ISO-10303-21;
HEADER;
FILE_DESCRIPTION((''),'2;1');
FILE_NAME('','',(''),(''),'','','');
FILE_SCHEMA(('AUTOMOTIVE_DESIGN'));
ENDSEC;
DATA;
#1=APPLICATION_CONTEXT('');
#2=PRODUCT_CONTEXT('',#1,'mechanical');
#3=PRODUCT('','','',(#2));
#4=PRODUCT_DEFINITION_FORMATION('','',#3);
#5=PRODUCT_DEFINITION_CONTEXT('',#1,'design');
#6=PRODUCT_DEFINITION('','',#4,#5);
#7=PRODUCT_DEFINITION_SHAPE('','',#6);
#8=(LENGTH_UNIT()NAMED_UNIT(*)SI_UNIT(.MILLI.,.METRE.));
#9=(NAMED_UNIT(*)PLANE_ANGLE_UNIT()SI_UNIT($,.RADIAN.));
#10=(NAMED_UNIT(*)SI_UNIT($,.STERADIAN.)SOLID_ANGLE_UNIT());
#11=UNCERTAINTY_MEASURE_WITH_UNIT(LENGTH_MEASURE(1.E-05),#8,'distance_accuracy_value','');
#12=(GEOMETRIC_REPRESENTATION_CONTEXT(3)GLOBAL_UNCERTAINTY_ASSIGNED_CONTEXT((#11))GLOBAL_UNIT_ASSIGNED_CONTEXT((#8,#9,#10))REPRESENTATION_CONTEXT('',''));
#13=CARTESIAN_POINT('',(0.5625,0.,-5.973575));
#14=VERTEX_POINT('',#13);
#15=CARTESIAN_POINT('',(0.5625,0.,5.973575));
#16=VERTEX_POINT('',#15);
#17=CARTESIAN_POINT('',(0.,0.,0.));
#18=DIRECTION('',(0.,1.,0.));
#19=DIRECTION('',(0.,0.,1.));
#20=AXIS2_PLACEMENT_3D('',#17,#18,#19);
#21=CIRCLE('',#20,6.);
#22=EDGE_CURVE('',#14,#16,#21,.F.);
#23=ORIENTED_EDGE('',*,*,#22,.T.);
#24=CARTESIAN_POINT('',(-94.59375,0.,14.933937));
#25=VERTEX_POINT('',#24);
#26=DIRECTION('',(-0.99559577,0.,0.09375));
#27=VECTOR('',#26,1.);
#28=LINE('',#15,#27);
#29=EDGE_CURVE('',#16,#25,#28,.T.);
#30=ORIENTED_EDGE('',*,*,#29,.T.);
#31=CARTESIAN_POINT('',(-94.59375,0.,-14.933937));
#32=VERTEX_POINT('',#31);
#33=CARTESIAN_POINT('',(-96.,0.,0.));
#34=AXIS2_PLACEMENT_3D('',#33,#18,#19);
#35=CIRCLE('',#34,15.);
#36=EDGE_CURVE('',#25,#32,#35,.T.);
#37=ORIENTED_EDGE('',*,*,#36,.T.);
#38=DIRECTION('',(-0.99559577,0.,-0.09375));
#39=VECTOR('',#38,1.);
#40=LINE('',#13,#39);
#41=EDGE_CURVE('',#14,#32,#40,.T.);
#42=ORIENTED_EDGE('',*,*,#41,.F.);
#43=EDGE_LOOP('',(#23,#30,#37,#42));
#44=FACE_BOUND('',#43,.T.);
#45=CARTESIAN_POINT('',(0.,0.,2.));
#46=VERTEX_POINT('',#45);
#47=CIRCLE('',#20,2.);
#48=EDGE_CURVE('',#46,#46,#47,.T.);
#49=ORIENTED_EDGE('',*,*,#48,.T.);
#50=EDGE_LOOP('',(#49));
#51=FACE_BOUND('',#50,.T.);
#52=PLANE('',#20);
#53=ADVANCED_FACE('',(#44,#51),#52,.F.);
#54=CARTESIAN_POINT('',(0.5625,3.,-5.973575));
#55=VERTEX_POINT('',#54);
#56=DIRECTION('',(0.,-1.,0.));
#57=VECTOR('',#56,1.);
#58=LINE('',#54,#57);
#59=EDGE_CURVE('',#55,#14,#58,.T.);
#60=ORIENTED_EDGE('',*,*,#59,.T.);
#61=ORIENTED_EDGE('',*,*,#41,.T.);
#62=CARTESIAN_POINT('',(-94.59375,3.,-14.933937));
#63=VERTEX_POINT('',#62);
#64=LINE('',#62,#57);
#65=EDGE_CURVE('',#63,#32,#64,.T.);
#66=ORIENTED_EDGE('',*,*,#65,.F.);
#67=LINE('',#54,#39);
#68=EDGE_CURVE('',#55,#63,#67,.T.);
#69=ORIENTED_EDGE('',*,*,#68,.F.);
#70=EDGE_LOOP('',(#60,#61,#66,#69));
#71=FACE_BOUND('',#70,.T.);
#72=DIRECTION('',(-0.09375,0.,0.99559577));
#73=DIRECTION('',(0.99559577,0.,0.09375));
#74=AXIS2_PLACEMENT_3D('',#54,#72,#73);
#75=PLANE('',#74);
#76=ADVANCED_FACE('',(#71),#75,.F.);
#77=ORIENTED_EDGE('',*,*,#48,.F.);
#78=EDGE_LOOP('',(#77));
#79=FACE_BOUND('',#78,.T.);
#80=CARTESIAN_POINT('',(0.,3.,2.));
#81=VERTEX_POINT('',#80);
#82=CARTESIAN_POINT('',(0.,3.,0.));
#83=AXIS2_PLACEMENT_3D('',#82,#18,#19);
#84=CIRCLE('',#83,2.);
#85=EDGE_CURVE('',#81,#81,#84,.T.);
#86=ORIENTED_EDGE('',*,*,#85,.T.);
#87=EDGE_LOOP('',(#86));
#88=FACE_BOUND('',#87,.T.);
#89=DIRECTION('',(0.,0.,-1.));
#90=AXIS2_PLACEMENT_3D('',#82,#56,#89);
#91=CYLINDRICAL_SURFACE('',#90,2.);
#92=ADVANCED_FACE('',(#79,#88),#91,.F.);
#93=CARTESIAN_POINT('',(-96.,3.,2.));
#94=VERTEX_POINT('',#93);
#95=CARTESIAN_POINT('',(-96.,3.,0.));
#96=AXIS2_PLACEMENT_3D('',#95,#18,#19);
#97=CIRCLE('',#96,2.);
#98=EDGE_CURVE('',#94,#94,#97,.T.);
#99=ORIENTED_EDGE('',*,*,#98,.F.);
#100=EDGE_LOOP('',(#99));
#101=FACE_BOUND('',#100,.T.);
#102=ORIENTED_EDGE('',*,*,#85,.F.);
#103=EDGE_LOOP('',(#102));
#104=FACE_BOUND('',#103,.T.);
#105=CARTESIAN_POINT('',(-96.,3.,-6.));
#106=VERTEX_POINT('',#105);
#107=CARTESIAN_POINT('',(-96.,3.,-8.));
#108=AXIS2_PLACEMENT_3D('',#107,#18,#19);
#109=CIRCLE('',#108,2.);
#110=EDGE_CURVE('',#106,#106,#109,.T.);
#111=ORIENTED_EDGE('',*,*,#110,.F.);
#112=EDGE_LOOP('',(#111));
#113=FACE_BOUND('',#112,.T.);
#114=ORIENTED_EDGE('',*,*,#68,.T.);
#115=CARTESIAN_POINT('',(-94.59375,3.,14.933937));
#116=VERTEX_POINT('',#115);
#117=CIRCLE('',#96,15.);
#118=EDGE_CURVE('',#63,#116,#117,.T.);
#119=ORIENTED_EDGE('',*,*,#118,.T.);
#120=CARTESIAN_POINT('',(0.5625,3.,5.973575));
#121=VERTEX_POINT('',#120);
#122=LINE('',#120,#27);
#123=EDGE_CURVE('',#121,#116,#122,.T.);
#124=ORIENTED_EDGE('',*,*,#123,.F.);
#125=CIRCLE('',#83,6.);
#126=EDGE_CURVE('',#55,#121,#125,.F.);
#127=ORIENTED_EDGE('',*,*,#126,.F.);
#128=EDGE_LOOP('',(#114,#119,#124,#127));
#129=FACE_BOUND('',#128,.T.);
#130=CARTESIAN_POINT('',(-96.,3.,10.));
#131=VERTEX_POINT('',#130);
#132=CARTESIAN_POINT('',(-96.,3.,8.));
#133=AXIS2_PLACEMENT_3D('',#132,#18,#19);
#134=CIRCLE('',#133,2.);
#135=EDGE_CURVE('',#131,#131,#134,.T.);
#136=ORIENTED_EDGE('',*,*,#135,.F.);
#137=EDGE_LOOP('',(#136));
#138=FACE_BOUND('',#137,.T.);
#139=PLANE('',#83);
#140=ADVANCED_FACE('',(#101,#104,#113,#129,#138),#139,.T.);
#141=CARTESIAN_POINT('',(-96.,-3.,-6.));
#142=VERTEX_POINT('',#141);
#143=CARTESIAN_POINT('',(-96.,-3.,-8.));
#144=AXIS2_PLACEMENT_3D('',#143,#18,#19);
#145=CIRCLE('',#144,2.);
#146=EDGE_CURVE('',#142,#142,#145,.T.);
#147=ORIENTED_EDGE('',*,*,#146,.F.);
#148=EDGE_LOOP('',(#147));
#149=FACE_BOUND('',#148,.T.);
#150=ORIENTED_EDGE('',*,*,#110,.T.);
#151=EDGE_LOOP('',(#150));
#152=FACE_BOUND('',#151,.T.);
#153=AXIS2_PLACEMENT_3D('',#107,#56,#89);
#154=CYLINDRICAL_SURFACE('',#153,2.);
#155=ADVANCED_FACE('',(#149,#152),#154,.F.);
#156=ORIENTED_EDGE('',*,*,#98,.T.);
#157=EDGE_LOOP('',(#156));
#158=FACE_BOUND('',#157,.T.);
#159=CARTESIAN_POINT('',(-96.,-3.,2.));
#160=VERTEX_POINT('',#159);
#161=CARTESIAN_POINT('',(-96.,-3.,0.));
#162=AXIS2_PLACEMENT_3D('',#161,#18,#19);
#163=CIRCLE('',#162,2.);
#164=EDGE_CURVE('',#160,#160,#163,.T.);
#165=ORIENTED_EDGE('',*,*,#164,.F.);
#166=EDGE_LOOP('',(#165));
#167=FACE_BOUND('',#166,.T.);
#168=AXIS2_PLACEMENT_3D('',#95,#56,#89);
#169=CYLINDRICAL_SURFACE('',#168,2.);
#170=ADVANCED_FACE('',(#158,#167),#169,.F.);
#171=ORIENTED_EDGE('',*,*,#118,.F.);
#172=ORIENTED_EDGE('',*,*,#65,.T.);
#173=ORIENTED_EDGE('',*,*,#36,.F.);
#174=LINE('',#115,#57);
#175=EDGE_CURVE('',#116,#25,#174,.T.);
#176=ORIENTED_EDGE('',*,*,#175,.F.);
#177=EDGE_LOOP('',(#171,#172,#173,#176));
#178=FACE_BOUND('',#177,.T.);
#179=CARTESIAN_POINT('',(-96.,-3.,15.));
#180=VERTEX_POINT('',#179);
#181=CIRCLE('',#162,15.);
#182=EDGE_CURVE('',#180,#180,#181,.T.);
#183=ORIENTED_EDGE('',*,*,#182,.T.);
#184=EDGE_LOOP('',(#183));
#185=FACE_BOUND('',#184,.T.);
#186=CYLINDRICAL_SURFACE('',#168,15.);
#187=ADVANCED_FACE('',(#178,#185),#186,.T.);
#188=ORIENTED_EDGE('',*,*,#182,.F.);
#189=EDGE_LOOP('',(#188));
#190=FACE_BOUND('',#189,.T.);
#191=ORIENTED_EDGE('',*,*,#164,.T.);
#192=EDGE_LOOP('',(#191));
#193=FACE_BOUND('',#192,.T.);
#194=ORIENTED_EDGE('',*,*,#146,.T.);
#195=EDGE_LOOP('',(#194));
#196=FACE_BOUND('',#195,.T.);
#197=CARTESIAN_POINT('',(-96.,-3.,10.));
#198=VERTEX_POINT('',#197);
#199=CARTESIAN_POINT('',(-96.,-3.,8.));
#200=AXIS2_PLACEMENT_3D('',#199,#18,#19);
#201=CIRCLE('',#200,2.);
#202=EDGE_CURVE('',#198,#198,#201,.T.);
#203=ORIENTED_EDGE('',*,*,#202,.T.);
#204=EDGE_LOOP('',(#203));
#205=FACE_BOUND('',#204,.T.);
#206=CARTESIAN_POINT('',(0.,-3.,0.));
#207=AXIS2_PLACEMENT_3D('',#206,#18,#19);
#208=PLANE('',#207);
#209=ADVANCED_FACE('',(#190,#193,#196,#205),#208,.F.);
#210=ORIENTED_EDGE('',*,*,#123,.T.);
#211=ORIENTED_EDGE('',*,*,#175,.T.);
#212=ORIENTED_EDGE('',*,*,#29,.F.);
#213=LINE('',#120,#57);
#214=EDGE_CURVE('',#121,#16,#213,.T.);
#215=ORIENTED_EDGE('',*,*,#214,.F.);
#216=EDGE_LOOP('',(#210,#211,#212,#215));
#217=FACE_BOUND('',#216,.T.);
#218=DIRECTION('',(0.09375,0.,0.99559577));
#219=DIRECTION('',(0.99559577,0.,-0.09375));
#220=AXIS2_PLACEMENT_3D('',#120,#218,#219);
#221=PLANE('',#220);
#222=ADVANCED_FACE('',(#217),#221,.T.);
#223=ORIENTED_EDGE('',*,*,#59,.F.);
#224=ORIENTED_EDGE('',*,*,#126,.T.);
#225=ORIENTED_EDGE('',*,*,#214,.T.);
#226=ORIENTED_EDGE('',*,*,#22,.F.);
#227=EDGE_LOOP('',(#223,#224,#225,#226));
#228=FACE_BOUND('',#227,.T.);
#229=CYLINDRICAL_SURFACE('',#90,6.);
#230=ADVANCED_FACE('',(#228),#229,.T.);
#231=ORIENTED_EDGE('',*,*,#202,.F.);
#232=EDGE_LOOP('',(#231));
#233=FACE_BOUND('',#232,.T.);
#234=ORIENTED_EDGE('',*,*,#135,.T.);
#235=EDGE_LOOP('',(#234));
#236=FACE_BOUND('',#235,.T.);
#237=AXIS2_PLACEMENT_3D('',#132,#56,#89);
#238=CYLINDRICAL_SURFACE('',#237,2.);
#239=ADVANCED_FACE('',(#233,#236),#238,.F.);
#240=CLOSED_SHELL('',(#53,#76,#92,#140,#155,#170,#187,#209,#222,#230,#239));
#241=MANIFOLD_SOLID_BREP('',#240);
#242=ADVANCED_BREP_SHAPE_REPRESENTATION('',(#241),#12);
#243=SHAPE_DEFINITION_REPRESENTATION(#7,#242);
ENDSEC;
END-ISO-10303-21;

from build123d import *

# Parameters (mm, degrees)
SKETCH1_R           = 2
BOSS_EXTRUDE1_DEPTH = 3
BOSS_EXTRUDE2_START = -3
SKETCH1_3_R         = 2
BOSS_EXTRUDE2_DEPTH = 3


with BuildPart() as part:
    # Sketch1 → Boss-Extrude1 (new body)
    with BuildSketch(Plane(origin=(0, 0, 0), x_dir=(1, 0, 0), z_dir=(0, 1, 0))):
        with BuildLine():
            ThreePointArc((0.5625, -5.973574621), (6, 0), (0.5625, 5.973574621))
            Line((0.5625, 5.973574621), (-94.59375, 14.933936552))
            ThreePointArc((-94.59375, 14.933936552), (-111, 0), (-94.59375, -14.933936552))
            Line((-94.59375, -14.933936552), (0.5625, -5.973574621))
        make_face()
        Circle(SKETCH1_R, mode=Mode.SUBTRACT)
        with Locations((-96, 0)):
            Circle(SKETCH1_R, mode=Mode.SUBTRACT)
        with Locations((-96, 8)):
            Circle(SKETCH1_R, mode=Mode.SUBTRACT)
        with Locations((-96, -8)):
            Circle(SKETCH1_R, mode=Mode.SUBTRACT)
    extrude(amount=BOSS_EXTRUDE1_DEPTH)

    # Sketch1<3> → Boss-Extrude2 (add)
    with BuildSketch(Plane(origin=(0, 0, 0), x_dir=(1, 0, 0), z_dir=(0, 1, 0)).offset(BOSS_EXTRUDE2_START)):
        with BuildLine():
            ThreePointArc((-81, 0), (-84.907350407, 10.097184013), (-94.59375, 14.933936552))
            ThreePointArc((-94.59375, 14.933936552), (-111, 0), (-94.59375, -14.933936552))
            ThreePointArc((-94.59375, -14.933936552), (-84.907350407, -10.097184013), (-81, 0))
        make_face()
        with Locations((-96, -8)):
            Circle(SKETCH1_3_R, mode=Mode.SUBTRACT)
        with Locations((-96, 0)):
            Circle(SKETCH1_3_R, mode=Mode.SUBTRACT)
        with Locations((-96, 8)):
            Circle(SKETCH1_3_R, mode=Mode.SUBTRACT)
    extrude(amount=BOSS_EXTRUDE2_DEPTH)


solid = part.part
